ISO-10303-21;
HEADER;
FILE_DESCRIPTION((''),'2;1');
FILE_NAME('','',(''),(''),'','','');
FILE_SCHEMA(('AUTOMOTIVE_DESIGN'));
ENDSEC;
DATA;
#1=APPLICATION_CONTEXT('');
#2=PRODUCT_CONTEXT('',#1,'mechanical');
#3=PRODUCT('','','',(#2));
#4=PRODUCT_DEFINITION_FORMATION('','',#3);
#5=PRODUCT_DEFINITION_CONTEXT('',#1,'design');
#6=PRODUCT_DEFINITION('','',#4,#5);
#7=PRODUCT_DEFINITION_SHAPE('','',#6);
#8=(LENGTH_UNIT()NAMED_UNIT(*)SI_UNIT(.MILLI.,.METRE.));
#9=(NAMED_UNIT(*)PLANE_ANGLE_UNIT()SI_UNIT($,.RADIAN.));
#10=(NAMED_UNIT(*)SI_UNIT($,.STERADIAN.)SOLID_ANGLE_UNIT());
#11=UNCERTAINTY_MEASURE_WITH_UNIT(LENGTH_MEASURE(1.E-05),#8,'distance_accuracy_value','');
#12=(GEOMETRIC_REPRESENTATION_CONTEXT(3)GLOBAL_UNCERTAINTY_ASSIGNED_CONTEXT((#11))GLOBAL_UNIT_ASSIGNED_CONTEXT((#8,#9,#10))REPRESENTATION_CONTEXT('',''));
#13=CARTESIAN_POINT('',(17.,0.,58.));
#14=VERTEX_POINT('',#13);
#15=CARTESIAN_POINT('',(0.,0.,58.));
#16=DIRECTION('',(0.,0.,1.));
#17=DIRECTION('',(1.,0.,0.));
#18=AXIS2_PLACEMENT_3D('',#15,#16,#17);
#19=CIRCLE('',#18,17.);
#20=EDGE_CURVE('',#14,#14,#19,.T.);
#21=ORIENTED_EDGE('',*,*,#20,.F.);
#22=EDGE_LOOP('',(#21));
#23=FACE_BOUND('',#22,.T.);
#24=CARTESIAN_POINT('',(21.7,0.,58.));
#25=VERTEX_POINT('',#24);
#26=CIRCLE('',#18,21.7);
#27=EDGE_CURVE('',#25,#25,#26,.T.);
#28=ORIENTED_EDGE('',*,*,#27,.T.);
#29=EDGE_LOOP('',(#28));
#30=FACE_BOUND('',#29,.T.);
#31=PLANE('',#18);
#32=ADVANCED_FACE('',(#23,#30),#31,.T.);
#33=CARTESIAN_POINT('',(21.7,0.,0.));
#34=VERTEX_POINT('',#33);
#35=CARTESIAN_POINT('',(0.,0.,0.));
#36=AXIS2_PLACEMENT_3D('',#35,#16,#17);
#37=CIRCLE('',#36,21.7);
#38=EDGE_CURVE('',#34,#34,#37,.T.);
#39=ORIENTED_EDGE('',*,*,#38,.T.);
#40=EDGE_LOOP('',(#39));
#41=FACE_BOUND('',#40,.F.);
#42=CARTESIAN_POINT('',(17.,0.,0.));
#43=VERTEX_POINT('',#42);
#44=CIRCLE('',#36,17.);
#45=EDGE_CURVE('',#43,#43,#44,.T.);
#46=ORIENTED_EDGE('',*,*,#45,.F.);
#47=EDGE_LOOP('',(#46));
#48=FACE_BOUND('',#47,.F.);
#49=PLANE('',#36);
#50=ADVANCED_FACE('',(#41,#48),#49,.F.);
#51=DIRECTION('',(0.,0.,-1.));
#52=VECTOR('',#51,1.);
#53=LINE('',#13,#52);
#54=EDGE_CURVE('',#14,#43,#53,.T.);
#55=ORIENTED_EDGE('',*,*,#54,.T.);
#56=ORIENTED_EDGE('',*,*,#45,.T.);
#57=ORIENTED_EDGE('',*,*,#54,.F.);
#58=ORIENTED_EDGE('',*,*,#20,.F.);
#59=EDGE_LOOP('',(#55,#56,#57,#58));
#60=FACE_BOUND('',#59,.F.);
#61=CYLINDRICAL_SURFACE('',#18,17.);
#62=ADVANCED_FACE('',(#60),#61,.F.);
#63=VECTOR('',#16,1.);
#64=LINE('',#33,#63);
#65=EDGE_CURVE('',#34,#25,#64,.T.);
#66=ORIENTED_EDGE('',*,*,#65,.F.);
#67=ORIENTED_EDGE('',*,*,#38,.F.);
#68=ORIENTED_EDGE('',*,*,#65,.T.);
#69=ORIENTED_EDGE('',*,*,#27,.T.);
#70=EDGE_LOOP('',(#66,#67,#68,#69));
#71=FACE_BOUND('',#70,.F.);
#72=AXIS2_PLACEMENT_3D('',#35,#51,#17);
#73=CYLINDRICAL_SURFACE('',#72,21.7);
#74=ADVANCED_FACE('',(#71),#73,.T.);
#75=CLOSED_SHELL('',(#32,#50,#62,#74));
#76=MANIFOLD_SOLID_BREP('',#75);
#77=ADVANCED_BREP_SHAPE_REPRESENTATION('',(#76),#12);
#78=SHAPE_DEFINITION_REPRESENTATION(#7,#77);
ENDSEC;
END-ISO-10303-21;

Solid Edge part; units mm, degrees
sketch "Sketch1" plane through (0, 0, 0) normal (0, 0, 1) x (1, 0, 0)
  circle A0 centre (0, 0) radius 21.7
extrude "Protrusion1" add sketch "Sketch1" along normal blind 58
sketch "Sketch2" plane through (0, 0, 58) normal (0, 0, 1) x (1, 0, 0)
  circle A0 centre (0, 0) radius 17
extrude "ExtrudedCutout_1" cut sketch "Sketch2" against normal blind 58
properties material "Copper"
